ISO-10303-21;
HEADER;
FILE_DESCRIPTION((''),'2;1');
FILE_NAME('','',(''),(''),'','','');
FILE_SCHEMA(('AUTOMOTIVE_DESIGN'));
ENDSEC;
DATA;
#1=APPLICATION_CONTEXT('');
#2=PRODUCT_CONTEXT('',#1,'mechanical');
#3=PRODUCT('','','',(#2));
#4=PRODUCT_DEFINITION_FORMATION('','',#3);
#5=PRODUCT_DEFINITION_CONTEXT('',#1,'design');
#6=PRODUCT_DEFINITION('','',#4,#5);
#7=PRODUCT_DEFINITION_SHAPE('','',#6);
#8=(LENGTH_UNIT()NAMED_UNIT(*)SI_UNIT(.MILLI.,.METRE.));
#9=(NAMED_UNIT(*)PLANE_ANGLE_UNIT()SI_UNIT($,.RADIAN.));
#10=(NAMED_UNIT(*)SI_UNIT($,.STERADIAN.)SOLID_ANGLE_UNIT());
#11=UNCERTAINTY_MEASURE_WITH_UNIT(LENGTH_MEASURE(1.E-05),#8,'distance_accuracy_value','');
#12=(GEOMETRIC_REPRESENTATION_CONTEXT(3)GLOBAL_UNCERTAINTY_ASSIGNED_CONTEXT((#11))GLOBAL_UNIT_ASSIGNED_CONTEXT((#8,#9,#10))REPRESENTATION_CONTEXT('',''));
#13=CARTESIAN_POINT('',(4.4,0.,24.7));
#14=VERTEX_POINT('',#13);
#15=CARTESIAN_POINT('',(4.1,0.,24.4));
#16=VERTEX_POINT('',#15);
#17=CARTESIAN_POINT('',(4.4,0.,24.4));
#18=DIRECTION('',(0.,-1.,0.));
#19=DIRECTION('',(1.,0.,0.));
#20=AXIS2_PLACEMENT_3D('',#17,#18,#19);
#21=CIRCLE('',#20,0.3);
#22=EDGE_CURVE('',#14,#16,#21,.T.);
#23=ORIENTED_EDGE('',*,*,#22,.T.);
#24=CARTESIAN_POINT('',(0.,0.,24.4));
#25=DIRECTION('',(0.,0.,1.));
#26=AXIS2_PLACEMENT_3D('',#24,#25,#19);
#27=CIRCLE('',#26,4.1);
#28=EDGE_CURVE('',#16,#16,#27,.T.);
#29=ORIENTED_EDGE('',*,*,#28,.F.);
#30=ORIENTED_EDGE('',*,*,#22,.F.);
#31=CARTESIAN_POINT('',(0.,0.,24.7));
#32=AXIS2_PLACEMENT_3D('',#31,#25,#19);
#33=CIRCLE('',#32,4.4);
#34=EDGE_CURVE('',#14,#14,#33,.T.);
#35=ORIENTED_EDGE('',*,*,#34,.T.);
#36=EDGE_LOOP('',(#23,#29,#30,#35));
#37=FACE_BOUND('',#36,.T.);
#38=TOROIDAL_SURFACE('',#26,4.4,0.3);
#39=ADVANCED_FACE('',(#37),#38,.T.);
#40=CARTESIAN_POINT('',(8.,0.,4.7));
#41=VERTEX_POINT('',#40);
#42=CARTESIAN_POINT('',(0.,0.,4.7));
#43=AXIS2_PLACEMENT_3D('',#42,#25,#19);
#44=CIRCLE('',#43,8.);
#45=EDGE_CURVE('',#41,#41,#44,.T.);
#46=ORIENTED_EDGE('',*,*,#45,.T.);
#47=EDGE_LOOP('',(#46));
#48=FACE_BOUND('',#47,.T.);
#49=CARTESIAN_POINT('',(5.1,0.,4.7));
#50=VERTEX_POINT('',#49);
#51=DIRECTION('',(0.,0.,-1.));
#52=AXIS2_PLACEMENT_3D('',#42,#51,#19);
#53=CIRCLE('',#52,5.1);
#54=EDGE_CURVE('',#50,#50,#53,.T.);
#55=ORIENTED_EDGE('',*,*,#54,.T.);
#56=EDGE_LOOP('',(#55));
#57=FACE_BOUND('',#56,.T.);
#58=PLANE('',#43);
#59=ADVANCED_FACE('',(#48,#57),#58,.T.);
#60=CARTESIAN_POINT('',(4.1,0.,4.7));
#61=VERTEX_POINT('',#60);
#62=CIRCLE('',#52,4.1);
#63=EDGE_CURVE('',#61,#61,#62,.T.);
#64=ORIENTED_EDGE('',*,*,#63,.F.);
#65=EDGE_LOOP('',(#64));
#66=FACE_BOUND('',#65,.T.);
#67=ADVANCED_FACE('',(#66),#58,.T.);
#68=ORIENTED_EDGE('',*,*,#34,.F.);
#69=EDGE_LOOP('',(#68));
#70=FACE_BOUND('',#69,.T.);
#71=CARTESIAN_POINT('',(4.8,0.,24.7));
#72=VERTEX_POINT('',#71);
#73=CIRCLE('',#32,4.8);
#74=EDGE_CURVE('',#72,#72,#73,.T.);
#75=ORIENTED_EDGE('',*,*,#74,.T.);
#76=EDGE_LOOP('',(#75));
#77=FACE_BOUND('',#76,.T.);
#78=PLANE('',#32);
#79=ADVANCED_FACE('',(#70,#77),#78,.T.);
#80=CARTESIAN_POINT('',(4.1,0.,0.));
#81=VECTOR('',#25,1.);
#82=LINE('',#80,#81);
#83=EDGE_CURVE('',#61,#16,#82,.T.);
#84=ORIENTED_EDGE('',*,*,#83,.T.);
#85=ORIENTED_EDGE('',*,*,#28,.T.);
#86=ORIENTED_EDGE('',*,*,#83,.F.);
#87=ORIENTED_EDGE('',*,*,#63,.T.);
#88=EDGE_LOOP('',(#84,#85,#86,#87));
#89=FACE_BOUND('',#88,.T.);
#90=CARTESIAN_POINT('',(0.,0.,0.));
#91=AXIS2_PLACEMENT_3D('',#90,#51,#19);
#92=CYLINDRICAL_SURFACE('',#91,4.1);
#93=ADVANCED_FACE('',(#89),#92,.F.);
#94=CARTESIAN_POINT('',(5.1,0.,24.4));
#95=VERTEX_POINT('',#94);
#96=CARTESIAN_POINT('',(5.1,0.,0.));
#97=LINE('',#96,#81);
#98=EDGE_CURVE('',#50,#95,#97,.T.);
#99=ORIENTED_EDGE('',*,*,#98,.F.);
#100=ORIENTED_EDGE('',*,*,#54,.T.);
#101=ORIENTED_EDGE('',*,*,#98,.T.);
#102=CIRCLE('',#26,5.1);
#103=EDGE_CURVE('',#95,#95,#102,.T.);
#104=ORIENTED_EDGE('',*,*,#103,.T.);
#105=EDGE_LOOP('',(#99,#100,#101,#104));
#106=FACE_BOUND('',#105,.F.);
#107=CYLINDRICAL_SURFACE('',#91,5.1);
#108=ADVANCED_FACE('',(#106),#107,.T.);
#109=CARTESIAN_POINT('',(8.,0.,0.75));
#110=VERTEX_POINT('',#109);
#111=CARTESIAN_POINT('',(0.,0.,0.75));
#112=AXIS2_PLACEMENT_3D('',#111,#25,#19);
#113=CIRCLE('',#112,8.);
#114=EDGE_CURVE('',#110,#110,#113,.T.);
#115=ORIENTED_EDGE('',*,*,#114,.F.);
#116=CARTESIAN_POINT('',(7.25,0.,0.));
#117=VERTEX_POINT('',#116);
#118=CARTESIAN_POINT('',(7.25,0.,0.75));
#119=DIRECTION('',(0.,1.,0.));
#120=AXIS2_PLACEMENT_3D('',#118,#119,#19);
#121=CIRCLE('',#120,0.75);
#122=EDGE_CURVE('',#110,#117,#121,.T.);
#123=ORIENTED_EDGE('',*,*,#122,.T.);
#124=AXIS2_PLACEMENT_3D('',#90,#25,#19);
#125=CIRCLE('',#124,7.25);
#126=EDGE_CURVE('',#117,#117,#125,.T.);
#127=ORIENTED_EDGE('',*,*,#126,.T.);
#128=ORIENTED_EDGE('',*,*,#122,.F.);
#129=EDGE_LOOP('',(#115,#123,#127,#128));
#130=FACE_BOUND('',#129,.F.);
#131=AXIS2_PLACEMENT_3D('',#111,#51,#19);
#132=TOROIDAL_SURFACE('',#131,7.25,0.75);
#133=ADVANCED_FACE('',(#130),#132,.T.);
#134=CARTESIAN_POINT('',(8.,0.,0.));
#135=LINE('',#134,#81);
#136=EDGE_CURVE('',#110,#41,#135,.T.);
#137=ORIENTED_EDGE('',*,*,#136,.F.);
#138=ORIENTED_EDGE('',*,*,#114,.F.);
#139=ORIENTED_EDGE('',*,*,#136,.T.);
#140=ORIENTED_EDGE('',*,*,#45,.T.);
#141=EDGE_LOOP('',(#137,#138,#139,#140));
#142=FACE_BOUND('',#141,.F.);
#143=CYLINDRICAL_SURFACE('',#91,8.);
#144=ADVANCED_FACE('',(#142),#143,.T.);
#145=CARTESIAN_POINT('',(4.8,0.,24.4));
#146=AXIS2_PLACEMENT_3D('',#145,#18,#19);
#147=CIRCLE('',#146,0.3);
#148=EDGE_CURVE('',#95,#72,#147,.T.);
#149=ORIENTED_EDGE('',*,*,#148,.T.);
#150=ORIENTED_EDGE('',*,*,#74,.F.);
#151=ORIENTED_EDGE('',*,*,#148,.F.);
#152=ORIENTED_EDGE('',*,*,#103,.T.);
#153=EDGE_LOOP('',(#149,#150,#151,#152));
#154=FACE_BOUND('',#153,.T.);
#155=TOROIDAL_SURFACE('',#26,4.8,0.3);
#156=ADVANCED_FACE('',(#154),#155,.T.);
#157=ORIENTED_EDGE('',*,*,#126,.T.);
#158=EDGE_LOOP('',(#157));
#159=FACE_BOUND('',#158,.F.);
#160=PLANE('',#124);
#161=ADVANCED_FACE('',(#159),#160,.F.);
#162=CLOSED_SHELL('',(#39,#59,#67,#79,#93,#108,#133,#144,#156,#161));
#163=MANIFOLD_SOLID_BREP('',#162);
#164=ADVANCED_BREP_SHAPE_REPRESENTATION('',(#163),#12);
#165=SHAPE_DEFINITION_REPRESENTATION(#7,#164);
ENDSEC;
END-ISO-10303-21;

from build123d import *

# Parameters (mm, degrees)
F0_R     = 8
F0_R_2   = 5.1
F0_R_3   = 4.1
F1_DEPTH = 4.7
F2_DEPTH = 24.7
F3_R     = 0.3
F4_R     = 0.75


with BuildPart() as f1:
    # F0 (on Top) → F1 (new body)
    with BuildSketch(Plane.XY):
        Circle(F0_R)
        Circle(F0_R_2, mode=Mode.SUBTRACT)
        Circle(F0_R_2)
        Circle(F0_R_3, mode=Mode.SUBTRACT)
        Circle(F0_R_3)
    extrude(amount=F1_DEPTH)

    # F0 (on Top) → F2 (join)
    with BuildSketch(Plane.XY):
        Circle(F0_R_2)
        Circle(F0_R_3, mode=Mode.SUBTRACT)
    extrude(amount=F2_DEPTH)

    # F3
    f3_edges = [f1.edges().sort_by_distance(p)[0] for p in [
        (-5.1, 0, 24.7),
        (-4.1, 0, 24.7),
    ]]
    fillet(f3_edges, radius=F3_R)

    # F4
    f4_edges = [f1.edges().sort_by_distance(p)[0] for p in [
        (-8, 0, 0),
    ]]
    fillet(f4_edges, radius=F4_R)


solid = f1.part
